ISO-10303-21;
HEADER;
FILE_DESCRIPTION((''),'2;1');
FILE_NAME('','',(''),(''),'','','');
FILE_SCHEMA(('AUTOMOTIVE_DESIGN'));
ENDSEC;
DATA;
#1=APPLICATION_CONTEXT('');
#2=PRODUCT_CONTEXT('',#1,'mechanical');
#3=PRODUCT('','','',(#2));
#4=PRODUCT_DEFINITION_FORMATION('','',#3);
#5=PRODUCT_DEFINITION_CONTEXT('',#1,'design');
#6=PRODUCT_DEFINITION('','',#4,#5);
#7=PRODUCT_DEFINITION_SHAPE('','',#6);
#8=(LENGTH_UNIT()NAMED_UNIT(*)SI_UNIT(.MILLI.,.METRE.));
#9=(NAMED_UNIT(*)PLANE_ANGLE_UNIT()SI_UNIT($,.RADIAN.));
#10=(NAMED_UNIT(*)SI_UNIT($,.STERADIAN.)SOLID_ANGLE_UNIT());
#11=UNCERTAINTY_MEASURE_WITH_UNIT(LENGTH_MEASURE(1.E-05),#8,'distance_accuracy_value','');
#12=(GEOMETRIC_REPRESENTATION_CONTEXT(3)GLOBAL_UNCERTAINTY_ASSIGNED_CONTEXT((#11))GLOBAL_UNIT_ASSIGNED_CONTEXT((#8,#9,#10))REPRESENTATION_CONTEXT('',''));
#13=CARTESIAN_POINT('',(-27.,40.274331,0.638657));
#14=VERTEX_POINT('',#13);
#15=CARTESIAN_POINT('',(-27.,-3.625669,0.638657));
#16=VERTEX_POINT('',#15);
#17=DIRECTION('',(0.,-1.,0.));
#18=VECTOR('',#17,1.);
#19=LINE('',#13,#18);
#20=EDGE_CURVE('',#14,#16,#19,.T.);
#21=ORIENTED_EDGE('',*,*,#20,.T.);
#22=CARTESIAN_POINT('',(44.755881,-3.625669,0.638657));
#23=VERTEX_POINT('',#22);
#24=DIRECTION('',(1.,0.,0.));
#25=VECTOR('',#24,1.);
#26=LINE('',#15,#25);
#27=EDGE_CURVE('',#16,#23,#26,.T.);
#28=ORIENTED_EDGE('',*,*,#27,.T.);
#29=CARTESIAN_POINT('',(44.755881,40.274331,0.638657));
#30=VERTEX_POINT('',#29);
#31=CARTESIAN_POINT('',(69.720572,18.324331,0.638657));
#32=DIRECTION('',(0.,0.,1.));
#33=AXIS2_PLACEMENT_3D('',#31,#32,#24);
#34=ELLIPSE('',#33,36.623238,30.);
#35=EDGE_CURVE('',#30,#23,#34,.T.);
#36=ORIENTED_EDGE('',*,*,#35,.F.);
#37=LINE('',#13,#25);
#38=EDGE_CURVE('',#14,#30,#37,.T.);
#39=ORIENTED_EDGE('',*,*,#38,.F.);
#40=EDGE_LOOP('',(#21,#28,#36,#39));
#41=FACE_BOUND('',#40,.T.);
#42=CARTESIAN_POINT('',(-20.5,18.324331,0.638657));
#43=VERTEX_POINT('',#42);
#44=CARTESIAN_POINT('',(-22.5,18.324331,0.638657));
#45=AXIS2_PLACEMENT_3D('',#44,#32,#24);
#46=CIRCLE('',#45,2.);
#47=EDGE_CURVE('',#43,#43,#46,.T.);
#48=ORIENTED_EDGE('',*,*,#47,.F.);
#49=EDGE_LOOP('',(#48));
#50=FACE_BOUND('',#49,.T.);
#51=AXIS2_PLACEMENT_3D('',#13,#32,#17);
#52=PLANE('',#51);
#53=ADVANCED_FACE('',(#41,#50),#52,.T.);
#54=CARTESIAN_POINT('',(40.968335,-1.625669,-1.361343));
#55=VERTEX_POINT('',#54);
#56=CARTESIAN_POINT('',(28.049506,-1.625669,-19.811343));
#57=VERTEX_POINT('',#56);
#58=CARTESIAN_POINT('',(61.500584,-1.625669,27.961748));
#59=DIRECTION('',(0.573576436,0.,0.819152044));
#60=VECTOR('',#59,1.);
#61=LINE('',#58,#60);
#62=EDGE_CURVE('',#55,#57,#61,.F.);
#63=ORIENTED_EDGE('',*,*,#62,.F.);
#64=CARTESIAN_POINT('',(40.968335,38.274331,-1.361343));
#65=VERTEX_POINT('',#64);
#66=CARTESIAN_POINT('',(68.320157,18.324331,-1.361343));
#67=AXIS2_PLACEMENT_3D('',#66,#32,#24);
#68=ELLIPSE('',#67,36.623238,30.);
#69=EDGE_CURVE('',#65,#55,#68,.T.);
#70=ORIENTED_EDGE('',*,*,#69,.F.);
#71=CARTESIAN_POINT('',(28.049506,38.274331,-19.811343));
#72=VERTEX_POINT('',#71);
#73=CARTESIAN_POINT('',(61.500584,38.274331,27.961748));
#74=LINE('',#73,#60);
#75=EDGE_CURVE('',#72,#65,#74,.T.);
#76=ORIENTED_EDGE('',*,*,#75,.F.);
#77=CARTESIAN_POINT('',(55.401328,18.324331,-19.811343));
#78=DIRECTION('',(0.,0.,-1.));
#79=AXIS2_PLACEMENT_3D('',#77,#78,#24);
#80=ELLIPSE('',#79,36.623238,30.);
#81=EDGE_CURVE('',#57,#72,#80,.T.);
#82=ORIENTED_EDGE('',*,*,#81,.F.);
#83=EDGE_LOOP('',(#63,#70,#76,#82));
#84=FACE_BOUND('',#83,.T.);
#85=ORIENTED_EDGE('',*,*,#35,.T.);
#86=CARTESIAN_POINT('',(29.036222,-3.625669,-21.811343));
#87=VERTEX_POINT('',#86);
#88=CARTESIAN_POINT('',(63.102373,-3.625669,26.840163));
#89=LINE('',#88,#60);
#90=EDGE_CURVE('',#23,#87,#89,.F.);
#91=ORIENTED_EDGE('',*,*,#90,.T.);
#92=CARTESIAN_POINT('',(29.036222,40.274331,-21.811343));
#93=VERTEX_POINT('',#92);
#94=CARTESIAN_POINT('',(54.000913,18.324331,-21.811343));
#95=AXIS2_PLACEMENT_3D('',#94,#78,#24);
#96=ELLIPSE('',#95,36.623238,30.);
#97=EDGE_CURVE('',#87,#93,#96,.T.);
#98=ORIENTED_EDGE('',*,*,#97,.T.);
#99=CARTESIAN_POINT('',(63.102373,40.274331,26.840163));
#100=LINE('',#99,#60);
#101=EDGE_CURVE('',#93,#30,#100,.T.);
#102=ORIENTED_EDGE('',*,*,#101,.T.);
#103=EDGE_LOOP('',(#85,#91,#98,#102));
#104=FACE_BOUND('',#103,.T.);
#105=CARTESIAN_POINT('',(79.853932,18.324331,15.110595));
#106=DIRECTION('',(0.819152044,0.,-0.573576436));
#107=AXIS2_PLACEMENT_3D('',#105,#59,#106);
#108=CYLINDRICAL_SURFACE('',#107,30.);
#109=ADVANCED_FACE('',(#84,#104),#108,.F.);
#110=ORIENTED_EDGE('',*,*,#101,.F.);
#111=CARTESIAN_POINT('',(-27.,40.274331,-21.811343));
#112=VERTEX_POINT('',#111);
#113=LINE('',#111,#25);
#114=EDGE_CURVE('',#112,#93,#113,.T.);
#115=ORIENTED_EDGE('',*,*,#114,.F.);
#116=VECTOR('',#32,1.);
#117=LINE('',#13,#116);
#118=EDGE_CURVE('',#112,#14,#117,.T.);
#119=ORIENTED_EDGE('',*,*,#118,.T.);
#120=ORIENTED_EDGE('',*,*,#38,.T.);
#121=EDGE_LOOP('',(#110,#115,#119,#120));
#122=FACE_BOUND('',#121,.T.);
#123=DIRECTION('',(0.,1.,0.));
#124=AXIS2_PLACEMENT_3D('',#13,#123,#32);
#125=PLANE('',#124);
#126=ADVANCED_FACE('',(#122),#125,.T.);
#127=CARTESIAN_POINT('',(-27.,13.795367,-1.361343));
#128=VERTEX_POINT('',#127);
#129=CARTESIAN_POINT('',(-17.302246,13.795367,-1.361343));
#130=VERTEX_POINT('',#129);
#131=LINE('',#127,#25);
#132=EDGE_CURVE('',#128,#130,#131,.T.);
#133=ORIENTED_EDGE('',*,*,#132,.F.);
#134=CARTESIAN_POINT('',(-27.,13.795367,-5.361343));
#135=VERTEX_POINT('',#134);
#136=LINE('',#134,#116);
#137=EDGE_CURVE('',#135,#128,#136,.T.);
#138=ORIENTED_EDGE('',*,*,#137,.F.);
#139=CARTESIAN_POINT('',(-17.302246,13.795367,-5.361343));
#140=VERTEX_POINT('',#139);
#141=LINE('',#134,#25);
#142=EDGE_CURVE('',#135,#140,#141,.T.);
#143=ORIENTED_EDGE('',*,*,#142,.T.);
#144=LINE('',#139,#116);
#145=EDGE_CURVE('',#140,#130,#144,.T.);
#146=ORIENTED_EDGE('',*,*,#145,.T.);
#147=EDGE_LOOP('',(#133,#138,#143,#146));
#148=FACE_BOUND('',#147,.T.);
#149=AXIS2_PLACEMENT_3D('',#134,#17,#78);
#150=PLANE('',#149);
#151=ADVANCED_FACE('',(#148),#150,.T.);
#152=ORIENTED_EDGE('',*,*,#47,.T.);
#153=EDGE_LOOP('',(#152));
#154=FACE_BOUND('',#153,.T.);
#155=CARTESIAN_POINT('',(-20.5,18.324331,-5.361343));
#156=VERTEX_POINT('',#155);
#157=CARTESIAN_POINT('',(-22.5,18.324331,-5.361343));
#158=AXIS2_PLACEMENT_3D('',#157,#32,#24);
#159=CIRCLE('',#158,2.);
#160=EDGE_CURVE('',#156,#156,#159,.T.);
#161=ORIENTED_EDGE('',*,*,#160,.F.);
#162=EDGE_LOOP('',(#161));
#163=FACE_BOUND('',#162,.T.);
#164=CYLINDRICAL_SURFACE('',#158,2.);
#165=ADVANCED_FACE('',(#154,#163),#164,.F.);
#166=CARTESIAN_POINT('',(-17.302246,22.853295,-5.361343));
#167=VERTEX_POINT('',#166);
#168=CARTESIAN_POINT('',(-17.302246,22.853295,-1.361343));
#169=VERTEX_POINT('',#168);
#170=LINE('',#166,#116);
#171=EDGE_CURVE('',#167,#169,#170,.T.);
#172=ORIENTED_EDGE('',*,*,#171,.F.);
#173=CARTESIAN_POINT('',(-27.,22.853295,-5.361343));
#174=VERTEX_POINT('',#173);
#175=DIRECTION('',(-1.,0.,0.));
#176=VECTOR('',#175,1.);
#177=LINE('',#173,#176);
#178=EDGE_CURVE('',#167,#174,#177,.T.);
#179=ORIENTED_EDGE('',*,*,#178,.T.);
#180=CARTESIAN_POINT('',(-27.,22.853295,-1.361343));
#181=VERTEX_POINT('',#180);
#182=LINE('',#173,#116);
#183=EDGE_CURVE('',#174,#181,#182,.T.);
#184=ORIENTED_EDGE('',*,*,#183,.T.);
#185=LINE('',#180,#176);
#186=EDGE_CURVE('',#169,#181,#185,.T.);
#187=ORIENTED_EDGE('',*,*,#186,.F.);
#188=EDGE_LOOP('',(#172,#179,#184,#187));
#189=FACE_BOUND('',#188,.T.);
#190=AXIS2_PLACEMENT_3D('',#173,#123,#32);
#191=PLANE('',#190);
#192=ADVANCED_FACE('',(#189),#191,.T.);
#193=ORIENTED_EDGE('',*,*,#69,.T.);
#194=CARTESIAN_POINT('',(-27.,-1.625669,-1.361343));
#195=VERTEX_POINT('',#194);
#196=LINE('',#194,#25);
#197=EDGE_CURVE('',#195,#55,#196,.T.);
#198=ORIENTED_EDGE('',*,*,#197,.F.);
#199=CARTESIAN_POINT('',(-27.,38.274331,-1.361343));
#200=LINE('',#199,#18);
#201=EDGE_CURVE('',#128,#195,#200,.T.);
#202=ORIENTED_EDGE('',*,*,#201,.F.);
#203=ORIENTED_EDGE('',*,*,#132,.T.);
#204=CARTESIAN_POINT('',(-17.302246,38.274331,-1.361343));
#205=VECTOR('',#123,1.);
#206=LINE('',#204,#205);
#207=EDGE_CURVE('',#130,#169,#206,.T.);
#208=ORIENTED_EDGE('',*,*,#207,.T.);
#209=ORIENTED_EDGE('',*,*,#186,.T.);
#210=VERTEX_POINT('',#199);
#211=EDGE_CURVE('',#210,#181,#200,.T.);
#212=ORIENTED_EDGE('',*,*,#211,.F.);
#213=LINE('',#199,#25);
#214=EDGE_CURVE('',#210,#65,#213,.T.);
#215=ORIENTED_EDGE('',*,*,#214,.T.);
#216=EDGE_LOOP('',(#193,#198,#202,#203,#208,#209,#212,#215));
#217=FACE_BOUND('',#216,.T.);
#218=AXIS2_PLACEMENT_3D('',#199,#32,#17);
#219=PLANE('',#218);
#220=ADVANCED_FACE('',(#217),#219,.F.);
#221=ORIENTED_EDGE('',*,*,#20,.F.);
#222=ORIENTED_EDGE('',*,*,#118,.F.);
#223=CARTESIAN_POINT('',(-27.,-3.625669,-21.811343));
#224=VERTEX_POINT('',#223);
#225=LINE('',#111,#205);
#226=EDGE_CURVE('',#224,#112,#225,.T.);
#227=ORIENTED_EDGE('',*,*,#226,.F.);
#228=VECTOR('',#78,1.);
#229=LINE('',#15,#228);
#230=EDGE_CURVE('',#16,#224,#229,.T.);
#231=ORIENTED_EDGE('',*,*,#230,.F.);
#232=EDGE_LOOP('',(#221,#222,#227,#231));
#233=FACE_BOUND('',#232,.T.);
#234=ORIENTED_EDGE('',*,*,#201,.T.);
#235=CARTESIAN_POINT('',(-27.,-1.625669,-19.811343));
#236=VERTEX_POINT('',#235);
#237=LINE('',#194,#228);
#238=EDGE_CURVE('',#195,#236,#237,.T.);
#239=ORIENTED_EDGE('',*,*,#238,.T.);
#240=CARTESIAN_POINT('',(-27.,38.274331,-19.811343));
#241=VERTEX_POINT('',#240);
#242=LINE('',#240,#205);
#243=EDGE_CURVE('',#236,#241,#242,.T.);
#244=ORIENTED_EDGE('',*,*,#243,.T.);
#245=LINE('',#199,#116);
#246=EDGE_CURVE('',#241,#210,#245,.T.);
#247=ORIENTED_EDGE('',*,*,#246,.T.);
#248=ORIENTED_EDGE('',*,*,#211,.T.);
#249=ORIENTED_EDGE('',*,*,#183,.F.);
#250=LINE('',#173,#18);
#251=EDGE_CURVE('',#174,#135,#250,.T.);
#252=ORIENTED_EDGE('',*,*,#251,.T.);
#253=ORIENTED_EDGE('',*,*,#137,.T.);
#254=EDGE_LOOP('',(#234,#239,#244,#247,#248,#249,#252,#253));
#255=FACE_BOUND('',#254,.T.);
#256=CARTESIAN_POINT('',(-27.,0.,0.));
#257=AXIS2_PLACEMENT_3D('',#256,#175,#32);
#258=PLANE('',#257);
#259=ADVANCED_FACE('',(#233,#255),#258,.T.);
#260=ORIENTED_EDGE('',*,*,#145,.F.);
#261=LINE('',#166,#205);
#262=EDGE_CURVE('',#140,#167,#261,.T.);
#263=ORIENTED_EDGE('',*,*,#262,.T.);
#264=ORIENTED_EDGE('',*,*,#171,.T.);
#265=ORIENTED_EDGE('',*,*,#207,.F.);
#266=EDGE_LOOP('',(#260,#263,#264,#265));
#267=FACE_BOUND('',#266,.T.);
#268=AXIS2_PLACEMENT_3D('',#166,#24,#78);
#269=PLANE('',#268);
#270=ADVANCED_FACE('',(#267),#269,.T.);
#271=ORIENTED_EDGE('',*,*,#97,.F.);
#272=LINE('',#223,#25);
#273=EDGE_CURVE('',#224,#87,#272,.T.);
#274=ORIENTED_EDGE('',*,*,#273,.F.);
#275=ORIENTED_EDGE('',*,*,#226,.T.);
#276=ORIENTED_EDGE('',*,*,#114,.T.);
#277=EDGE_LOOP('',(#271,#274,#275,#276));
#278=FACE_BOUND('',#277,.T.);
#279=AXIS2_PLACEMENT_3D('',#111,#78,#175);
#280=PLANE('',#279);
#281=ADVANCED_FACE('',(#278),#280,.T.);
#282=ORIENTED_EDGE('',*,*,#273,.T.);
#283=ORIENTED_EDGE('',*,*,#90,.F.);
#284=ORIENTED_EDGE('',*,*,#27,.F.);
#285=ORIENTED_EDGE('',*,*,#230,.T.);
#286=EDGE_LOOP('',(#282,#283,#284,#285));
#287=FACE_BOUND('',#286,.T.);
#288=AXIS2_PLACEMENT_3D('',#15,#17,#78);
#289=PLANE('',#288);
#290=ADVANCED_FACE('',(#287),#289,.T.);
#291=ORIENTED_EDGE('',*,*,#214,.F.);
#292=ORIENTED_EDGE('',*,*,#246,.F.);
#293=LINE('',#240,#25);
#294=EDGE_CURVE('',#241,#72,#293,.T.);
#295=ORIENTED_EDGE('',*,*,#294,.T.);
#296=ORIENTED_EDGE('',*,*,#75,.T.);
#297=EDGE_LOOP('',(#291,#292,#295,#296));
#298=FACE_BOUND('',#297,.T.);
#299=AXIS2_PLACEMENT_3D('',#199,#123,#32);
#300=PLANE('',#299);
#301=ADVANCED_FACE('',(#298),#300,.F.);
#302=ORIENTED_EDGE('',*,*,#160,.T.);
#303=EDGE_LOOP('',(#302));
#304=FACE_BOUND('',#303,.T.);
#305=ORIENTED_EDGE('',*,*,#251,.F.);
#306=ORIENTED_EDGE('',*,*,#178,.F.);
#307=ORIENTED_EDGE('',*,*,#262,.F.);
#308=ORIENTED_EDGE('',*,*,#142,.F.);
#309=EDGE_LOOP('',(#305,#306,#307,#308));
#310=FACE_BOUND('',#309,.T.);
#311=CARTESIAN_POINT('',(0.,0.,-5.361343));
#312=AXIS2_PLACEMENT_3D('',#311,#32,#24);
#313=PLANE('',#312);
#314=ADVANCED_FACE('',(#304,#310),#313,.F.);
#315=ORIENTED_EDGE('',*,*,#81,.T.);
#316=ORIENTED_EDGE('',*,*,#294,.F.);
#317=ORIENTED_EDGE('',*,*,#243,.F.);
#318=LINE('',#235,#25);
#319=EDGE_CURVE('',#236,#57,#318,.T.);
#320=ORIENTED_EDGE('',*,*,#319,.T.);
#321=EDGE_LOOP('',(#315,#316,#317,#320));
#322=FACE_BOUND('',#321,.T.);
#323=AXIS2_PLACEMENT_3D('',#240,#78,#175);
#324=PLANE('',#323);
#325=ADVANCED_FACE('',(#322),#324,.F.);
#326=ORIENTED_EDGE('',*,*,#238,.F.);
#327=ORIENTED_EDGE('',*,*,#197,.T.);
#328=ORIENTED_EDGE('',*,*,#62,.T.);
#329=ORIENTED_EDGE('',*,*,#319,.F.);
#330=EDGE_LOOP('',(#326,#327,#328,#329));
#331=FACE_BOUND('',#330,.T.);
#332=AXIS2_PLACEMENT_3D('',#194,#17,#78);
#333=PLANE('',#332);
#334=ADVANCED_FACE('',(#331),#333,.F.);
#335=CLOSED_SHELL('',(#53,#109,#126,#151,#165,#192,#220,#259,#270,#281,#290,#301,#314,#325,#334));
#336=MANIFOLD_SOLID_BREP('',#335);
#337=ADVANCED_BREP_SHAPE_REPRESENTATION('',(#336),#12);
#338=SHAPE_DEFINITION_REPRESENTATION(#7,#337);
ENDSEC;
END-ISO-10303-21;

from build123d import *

# Parameters (mm, degrees)
BOSS_EXTRUDE1_DEPTH      = 60
BOSS_EXTRUDE1_DEPTH_BACK = 27
SKETCH1_W                = 22.45
SKETCH1_H                = 43.9
SKETCH1_W_2              = 18.45
SKETCH1_H_2              = 39.9
SKETCH3_W                = 9.697753833
SKETCH3_H                = 9.057928037
SKETCH3_R                = 2
BOSS_EXTRUDE2_DEPTH      = 6
CUT_EXTRUDE1_REACH       = 66.258
SKETCH3_3_R              = 2


with BuildPart() as part:
    # Sketch1 → Boss-Extrude1 (new, two sides: drawn at the far end of the back side and taken through both)
    with BuildSketch(Plane(origin=(0, 0, 0), x_dir=(0, 0, -1), z_dir=(1, 0, 0)).offset(-BOSS_EXTRUDE1_DEPTH_BACK)):
        with Locations((10.58634259, 18.324330998)):
            Rectangle(SKETCH1_W, SKETCH1_H)
        with Locations((10.58634259, 18.324330998)):
            Rectangle(SKETCH1_W_2, SKETCH1_H_2, mode=Mode.SUBTRACT)
    extrude(amount=BOSS_EXTRUDE1_DEPTH + BOSS_EXTRUDE1_DEPTH_BACK)

    # Sketch2 → Cut-Revolve1 (revolve, cut)
    with BuildSketch(Plane(origin=(0, 18.324330998, 0), x_dir=(-1, 0, 0), z_dir=(0, -1, 0))):
        Polygon((-79.85393198, -15.110595304), (-55.279370652, -32.317888394), (-13.19002891, 27.791921119), (-37.764590239, 44.999214209), align=None)
    revolve(axis=Axis((79.85393198, 18.324330998, 15.110595304), (-0.573576436351041, 0, -0.8191520442889954)), mode=Mode.SUBTRACT)

    # Sketch3 → Boss-Extrude2 (add)
    with BuildSketch(Plane.XY.offset(0.63865741)):
        with Locations((-22.151123083, 18.324330997)):
            Rectangle(SKETCH3_W, SKETCH3_H)
        with Locations((-22.5, 18.324330998)):
            Circle(SKETCH3_R, mode=Mode.SUBTRACT)
    extrude(amount=-BOSS_EXTRUDE2_DEPTH)

    # Sketch3<3> → Cut-Extrude1 (cut, up to next)
    with BuildSketch(Plane.XY.offset(0.63865741), mode=Mode.PRIVATE) as cut_extrude1_sk1:
        with Locations((-22.5, 18.324330998)):
            Circle(SKETCH3_3_R)
    cut_extrude1_tool1 = extrude(cut_extrude1_sk1.sketch, amount=-CUT_EXTRUDE1_REACH, mode=Mode.PRIVATE) & part.part
    add(cut_extrude1_tool1.solids().sort_by_distance((-22.5, 18.324331, 0.638657))[0], mode=Mode.SUBTRACT)


solid = part.part
